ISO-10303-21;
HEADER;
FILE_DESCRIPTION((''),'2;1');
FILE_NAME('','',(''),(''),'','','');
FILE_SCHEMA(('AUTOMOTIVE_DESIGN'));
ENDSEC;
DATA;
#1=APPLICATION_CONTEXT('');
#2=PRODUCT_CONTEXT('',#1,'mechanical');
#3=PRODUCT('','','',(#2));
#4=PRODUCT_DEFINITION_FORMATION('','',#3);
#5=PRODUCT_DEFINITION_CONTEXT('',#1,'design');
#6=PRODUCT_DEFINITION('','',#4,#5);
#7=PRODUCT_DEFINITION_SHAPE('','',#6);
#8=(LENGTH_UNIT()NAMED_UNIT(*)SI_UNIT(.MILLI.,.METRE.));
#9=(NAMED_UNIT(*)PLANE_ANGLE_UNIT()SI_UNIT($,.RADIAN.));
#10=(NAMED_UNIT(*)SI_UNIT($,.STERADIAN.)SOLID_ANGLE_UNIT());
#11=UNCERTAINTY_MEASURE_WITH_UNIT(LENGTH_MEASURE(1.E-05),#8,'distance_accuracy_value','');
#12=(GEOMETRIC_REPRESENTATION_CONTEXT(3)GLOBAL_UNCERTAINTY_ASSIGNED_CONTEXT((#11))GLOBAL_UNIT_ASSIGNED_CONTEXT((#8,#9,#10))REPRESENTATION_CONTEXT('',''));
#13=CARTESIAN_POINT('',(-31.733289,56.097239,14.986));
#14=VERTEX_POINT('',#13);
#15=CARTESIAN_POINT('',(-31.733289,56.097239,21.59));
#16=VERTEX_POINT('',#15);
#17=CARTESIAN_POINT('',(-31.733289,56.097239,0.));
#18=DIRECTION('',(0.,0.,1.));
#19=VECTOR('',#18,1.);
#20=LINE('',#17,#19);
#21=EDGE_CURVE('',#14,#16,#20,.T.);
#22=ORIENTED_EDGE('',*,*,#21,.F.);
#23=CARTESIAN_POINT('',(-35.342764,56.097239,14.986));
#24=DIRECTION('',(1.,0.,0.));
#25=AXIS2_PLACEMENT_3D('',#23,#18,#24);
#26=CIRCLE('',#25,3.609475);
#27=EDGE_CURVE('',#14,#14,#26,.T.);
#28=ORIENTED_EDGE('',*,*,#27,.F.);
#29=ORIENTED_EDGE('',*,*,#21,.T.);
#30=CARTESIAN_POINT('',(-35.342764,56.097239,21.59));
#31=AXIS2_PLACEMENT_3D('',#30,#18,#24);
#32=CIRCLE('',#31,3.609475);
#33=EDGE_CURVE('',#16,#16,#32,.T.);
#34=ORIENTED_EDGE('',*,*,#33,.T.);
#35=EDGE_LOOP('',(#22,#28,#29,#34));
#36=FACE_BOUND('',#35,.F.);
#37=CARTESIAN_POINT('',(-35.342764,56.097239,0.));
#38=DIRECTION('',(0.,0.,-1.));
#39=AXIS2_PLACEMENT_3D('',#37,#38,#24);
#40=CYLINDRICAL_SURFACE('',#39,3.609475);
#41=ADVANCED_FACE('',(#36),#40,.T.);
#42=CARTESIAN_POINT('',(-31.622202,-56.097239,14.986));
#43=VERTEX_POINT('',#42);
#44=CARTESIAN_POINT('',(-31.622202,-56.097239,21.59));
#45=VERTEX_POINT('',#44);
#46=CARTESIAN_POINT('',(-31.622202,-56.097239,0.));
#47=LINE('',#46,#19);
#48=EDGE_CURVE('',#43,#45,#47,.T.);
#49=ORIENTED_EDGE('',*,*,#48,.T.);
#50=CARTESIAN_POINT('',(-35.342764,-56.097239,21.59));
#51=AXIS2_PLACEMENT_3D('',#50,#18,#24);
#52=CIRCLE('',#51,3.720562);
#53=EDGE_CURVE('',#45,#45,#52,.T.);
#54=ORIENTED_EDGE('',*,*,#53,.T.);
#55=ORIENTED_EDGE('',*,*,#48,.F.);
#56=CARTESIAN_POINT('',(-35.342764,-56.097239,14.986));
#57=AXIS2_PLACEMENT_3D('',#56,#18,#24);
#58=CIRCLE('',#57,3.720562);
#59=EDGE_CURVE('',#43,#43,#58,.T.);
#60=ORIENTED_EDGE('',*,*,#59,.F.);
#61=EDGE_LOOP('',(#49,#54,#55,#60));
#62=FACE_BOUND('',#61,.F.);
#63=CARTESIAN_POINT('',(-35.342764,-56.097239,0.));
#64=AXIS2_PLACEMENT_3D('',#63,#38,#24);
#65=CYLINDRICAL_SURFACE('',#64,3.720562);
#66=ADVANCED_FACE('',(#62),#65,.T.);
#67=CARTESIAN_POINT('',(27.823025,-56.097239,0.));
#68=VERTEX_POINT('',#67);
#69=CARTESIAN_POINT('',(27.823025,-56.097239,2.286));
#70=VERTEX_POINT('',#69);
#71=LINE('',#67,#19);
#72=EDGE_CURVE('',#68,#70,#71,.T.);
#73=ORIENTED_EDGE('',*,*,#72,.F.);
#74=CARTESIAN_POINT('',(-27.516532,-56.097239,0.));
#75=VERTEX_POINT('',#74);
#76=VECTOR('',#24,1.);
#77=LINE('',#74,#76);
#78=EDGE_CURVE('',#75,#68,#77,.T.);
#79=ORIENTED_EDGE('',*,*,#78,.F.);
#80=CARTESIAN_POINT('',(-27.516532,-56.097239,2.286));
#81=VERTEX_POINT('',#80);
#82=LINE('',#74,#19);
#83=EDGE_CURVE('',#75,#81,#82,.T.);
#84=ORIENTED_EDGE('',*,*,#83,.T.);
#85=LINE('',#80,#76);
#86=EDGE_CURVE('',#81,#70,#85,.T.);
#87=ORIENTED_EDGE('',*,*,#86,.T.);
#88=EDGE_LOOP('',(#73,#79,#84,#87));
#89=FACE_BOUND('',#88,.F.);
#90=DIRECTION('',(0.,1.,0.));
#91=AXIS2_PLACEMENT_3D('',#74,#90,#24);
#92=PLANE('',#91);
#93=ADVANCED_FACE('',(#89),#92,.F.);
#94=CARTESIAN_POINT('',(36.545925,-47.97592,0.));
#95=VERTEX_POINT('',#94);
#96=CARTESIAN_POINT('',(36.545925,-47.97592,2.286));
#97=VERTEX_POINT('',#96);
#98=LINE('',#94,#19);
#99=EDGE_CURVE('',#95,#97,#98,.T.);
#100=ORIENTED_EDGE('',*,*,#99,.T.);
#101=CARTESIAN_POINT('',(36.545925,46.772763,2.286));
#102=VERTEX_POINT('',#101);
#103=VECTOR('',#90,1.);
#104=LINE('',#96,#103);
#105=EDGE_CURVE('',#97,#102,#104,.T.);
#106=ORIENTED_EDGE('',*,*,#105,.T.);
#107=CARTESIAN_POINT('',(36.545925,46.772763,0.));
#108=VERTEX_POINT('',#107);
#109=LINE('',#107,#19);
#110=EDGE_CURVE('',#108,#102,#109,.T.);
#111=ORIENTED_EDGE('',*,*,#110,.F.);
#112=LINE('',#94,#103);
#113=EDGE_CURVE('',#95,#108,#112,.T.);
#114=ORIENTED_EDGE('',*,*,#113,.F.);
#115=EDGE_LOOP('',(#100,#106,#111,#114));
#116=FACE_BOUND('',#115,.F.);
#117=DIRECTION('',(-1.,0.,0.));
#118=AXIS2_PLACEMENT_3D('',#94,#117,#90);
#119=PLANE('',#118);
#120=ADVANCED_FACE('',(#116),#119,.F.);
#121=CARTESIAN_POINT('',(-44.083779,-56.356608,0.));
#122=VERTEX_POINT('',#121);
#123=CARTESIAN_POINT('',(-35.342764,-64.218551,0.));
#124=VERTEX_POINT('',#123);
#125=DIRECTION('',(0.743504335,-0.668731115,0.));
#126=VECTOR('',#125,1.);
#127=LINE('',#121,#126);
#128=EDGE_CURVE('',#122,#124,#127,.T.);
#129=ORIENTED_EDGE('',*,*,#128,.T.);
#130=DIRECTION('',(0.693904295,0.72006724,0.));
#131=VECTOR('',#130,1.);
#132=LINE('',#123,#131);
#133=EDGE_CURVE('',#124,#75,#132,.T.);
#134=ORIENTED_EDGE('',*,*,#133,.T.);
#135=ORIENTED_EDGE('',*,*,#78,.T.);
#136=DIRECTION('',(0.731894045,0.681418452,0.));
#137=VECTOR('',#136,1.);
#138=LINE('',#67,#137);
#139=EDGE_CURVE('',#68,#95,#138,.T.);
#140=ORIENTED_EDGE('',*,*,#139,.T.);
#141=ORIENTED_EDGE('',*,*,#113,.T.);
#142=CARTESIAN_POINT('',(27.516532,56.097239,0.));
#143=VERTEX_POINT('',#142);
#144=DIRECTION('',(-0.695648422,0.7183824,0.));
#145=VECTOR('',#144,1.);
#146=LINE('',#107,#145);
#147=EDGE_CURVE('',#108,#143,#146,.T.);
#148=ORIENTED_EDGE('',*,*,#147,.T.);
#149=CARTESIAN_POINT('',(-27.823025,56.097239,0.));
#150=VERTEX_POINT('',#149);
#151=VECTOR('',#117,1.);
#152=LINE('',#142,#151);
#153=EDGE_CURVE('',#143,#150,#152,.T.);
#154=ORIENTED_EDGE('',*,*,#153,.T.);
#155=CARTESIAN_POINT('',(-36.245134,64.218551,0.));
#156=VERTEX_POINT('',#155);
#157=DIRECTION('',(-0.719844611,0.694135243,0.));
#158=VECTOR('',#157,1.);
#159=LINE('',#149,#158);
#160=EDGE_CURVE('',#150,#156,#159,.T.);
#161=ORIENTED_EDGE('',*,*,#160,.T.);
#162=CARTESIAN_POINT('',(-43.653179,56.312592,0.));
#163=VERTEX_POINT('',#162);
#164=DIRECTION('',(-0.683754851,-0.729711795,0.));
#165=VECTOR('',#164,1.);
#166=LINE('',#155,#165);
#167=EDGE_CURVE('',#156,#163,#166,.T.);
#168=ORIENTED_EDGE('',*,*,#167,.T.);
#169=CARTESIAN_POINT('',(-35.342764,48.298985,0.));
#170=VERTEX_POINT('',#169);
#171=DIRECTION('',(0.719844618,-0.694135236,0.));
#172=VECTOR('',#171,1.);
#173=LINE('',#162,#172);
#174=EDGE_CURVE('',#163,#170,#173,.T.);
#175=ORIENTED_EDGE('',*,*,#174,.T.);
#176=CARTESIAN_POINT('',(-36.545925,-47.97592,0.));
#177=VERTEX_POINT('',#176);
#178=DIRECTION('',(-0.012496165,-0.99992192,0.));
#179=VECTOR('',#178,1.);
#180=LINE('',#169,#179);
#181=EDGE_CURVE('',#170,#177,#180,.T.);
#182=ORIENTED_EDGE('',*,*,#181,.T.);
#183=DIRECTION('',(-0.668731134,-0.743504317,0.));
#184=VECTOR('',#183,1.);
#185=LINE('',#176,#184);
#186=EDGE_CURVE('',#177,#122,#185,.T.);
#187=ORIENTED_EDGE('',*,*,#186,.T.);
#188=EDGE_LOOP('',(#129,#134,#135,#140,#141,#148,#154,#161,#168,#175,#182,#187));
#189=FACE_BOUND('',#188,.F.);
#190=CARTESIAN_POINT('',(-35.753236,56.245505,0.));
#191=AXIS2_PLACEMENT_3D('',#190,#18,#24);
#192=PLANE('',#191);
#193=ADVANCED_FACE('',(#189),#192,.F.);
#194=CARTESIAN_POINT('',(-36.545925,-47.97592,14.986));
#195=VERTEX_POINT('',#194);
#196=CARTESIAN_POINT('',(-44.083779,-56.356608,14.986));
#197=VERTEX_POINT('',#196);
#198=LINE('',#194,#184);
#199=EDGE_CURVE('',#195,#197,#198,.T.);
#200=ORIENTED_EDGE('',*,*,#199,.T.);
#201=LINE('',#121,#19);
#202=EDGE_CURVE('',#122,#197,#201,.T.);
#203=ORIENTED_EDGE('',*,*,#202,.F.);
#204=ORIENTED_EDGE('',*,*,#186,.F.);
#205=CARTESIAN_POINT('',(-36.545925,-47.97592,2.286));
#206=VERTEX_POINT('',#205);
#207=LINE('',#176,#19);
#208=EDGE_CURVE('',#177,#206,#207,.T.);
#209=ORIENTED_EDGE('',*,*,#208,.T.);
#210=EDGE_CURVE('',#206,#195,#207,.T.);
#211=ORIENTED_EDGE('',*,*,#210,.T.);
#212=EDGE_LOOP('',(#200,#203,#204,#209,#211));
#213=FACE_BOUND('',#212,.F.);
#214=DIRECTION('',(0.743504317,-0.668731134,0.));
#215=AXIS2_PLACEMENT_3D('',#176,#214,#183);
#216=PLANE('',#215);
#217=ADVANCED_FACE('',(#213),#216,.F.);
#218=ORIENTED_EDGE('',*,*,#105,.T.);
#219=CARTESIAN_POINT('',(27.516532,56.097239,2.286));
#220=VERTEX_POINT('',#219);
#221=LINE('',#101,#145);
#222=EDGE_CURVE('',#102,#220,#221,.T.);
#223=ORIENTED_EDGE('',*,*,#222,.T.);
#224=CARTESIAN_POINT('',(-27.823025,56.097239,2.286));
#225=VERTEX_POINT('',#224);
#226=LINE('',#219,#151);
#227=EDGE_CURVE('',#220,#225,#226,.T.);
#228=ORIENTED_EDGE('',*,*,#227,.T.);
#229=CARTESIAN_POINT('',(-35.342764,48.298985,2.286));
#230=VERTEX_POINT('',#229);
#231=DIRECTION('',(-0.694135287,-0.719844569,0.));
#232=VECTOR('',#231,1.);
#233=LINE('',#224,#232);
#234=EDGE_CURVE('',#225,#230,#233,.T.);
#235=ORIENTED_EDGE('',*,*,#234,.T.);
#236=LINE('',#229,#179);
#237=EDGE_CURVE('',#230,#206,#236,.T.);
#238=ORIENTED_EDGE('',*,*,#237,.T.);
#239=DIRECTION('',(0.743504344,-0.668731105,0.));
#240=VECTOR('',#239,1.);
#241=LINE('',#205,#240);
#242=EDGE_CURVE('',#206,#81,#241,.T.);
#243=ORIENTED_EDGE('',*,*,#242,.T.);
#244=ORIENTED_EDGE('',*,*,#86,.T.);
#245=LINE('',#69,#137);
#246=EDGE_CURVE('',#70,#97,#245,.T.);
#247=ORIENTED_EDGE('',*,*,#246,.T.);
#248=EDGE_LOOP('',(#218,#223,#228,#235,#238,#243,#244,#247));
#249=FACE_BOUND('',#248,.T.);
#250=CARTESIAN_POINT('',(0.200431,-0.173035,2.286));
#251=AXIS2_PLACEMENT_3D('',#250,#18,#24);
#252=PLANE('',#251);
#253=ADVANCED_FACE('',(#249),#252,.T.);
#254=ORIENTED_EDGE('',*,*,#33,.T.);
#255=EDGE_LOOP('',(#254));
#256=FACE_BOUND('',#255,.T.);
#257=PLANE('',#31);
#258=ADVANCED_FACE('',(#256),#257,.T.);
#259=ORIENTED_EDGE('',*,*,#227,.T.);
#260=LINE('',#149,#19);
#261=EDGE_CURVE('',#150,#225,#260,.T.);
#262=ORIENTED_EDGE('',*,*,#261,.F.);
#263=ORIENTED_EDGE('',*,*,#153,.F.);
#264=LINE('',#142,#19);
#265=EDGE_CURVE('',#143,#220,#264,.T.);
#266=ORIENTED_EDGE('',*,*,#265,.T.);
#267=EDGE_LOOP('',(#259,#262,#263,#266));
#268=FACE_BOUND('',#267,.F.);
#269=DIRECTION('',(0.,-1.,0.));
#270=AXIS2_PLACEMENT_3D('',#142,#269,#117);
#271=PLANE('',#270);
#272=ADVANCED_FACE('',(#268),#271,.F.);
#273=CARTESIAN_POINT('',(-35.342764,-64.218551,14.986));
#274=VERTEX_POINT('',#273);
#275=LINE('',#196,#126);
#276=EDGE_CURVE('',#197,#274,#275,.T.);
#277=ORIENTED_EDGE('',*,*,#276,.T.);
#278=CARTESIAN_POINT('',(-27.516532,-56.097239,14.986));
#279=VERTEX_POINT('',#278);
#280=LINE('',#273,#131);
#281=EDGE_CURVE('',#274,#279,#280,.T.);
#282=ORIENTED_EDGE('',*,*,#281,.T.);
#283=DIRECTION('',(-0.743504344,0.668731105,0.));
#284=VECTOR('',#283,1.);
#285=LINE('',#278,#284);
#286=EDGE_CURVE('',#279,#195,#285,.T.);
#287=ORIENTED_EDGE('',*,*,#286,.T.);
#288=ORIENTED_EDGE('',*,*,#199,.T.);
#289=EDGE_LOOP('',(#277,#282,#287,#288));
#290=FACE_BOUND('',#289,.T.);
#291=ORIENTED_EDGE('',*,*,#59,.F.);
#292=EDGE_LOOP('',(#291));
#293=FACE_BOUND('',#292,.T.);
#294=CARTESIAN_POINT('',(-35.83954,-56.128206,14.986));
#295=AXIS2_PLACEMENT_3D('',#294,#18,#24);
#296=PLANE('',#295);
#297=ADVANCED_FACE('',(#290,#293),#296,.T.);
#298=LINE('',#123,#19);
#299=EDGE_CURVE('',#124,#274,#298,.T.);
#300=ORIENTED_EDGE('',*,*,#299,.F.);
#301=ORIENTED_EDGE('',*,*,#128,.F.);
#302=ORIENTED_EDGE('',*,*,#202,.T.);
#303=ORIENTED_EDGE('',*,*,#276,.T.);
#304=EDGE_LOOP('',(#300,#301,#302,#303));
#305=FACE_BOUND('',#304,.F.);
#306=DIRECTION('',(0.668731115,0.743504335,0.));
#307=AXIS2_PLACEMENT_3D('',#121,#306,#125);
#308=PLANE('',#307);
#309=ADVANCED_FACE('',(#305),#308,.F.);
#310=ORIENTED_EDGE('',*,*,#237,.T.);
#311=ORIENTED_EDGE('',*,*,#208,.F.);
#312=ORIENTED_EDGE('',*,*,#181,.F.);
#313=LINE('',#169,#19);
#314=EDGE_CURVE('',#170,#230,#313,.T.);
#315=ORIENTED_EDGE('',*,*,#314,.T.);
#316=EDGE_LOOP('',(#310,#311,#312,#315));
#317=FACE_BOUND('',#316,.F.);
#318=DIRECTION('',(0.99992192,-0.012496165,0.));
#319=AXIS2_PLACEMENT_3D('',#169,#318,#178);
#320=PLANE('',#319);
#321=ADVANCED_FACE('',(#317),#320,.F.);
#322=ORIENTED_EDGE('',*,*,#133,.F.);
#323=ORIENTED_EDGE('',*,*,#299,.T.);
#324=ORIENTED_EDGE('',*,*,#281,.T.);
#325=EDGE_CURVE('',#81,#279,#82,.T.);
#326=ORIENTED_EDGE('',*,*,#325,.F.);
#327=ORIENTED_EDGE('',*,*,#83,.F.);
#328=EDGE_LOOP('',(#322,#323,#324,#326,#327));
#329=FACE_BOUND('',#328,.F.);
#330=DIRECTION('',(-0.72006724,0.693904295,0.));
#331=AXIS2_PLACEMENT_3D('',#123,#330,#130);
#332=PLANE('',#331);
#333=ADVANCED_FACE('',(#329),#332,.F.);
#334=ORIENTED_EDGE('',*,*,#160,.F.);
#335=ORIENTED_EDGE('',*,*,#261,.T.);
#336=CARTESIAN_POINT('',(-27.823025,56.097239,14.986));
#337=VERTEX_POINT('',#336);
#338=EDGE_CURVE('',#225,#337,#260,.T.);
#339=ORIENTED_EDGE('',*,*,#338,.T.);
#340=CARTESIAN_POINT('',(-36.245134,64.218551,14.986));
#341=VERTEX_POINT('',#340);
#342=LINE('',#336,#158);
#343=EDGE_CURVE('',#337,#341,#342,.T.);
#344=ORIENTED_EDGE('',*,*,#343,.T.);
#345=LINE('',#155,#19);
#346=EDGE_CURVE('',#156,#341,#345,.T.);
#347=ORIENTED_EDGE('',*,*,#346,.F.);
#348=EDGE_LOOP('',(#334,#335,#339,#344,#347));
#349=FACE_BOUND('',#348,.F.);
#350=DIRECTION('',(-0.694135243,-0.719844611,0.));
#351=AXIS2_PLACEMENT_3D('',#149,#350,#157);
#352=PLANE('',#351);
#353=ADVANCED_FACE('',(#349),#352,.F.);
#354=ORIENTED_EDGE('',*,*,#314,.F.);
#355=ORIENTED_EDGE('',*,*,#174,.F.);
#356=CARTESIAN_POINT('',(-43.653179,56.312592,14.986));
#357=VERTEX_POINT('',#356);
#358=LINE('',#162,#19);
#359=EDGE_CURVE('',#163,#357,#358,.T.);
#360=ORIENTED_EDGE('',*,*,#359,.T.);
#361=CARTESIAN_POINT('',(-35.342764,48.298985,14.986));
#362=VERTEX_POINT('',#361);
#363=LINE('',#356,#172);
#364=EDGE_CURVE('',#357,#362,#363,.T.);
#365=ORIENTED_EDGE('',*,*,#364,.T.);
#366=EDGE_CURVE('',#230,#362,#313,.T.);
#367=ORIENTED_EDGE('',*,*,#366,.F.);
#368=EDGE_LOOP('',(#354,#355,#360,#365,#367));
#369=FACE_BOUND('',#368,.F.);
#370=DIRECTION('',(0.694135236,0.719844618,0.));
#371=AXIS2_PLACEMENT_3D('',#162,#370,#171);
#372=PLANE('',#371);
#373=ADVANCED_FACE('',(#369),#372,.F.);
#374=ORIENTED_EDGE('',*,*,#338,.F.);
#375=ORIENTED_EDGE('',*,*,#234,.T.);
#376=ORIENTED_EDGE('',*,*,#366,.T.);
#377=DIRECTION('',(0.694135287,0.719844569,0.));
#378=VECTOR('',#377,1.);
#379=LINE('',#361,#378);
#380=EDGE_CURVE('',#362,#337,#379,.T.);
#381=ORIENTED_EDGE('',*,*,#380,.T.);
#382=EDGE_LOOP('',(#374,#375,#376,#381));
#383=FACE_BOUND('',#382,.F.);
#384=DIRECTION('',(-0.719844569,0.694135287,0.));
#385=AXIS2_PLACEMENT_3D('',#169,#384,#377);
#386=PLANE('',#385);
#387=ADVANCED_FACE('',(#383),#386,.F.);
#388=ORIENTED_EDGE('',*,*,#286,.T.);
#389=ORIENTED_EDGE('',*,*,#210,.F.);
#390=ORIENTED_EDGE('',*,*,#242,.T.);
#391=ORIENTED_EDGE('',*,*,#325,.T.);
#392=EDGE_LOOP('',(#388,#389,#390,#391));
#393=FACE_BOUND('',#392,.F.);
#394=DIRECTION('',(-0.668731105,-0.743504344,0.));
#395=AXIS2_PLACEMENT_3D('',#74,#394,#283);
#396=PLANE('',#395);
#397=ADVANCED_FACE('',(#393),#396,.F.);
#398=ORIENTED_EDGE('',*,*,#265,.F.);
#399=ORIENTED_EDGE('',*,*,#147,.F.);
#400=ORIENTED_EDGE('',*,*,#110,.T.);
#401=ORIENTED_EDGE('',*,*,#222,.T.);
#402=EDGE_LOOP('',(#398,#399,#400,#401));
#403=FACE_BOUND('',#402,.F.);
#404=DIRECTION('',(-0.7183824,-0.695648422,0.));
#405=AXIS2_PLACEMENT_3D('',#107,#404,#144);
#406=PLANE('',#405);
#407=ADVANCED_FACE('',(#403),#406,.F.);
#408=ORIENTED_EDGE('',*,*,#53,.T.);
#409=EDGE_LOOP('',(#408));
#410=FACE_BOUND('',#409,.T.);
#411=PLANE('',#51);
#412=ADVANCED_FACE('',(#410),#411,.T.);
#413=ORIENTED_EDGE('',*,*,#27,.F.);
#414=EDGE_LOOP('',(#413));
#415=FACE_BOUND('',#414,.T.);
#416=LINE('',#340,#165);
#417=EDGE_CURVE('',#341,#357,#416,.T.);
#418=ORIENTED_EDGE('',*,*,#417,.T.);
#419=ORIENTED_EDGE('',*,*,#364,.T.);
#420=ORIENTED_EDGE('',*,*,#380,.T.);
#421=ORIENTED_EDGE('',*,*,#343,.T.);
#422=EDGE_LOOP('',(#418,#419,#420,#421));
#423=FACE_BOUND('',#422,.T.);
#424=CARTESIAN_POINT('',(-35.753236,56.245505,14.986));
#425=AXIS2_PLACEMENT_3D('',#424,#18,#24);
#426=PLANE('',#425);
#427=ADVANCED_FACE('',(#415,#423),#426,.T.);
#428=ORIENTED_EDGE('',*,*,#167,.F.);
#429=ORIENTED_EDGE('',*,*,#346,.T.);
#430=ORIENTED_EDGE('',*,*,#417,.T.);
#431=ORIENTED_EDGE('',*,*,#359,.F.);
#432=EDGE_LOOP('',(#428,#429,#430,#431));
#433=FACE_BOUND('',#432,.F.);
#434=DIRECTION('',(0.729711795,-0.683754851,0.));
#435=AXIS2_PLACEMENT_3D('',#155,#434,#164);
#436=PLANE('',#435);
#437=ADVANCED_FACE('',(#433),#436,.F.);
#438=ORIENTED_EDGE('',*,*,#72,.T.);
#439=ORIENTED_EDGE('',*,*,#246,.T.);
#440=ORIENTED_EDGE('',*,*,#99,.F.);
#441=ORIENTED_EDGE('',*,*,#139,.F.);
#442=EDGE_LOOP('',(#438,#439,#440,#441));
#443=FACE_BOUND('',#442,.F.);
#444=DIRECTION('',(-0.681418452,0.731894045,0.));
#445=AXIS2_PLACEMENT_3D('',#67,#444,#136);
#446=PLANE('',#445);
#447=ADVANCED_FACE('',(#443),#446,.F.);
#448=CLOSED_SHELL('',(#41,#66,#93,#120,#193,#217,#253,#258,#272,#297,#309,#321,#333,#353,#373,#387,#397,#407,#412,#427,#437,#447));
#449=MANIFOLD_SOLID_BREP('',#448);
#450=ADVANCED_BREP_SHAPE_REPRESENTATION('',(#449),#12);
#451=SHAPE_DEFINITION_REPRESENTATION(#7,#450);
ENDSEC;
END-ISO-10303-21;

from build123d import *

# Parameters (mm, degrees)
F1_DEPTH = 2.286
F0_R     = 3.609475
F0_R_2   = 3.720562
F2_DEPTH = 14.986
F3_DEPTH = 21.59


with BuildPart() as f1:
    # F0 (on Top) → F1 (new body)
    with BuildSketch(Plane.XY):
        Polygon((36.545925, 46.772763), (27.516532, 56.097239), (-27.823025, 56.097239), (-35.342764, 48.298985), (-36.545925, -47.97592), (-27.516532, -56.097239), (27.823025, -56.097239), (36.545925, -47.97592), align=None)
    extrude(amount=F1_DEPTH)

    # F0 (on Top) → F2 (join)
    with BuildSketch(Plane.XY):
        Polygon((-35.342764, 48.298985), (-27.823025, 56.097239), (-36.245134, 64.218551), (-43.653179, 56.312592), align=None)
        with Locations((-35.342764, 56.097239)):
            Circle(F0_R, mode=Mode.SUBTRACT)
        Polygon((-27.516532, -56.097239), (-36.545925, -47.97592), (-44.083779, -56.356608), (-35.342764, -64.218551), align=None)
        with Locations((-35.342764, -56.097239)):
            Circle(F0_R_2, mode=Mode.SUBTRACT)
    extrude(amount=F2_DEPTH)

    # F0 (on Top) → F3 (join)
    with BuildSketch(Plane.XY):
        with Locations((-35.342764, 56.097239)):
            Circle(F0_R)
        with Locations((-35.342764, -56.097239)):
            Circle(F0_R_2)
    extrude(amount=F3_DEPTH)


solid = f1.part
